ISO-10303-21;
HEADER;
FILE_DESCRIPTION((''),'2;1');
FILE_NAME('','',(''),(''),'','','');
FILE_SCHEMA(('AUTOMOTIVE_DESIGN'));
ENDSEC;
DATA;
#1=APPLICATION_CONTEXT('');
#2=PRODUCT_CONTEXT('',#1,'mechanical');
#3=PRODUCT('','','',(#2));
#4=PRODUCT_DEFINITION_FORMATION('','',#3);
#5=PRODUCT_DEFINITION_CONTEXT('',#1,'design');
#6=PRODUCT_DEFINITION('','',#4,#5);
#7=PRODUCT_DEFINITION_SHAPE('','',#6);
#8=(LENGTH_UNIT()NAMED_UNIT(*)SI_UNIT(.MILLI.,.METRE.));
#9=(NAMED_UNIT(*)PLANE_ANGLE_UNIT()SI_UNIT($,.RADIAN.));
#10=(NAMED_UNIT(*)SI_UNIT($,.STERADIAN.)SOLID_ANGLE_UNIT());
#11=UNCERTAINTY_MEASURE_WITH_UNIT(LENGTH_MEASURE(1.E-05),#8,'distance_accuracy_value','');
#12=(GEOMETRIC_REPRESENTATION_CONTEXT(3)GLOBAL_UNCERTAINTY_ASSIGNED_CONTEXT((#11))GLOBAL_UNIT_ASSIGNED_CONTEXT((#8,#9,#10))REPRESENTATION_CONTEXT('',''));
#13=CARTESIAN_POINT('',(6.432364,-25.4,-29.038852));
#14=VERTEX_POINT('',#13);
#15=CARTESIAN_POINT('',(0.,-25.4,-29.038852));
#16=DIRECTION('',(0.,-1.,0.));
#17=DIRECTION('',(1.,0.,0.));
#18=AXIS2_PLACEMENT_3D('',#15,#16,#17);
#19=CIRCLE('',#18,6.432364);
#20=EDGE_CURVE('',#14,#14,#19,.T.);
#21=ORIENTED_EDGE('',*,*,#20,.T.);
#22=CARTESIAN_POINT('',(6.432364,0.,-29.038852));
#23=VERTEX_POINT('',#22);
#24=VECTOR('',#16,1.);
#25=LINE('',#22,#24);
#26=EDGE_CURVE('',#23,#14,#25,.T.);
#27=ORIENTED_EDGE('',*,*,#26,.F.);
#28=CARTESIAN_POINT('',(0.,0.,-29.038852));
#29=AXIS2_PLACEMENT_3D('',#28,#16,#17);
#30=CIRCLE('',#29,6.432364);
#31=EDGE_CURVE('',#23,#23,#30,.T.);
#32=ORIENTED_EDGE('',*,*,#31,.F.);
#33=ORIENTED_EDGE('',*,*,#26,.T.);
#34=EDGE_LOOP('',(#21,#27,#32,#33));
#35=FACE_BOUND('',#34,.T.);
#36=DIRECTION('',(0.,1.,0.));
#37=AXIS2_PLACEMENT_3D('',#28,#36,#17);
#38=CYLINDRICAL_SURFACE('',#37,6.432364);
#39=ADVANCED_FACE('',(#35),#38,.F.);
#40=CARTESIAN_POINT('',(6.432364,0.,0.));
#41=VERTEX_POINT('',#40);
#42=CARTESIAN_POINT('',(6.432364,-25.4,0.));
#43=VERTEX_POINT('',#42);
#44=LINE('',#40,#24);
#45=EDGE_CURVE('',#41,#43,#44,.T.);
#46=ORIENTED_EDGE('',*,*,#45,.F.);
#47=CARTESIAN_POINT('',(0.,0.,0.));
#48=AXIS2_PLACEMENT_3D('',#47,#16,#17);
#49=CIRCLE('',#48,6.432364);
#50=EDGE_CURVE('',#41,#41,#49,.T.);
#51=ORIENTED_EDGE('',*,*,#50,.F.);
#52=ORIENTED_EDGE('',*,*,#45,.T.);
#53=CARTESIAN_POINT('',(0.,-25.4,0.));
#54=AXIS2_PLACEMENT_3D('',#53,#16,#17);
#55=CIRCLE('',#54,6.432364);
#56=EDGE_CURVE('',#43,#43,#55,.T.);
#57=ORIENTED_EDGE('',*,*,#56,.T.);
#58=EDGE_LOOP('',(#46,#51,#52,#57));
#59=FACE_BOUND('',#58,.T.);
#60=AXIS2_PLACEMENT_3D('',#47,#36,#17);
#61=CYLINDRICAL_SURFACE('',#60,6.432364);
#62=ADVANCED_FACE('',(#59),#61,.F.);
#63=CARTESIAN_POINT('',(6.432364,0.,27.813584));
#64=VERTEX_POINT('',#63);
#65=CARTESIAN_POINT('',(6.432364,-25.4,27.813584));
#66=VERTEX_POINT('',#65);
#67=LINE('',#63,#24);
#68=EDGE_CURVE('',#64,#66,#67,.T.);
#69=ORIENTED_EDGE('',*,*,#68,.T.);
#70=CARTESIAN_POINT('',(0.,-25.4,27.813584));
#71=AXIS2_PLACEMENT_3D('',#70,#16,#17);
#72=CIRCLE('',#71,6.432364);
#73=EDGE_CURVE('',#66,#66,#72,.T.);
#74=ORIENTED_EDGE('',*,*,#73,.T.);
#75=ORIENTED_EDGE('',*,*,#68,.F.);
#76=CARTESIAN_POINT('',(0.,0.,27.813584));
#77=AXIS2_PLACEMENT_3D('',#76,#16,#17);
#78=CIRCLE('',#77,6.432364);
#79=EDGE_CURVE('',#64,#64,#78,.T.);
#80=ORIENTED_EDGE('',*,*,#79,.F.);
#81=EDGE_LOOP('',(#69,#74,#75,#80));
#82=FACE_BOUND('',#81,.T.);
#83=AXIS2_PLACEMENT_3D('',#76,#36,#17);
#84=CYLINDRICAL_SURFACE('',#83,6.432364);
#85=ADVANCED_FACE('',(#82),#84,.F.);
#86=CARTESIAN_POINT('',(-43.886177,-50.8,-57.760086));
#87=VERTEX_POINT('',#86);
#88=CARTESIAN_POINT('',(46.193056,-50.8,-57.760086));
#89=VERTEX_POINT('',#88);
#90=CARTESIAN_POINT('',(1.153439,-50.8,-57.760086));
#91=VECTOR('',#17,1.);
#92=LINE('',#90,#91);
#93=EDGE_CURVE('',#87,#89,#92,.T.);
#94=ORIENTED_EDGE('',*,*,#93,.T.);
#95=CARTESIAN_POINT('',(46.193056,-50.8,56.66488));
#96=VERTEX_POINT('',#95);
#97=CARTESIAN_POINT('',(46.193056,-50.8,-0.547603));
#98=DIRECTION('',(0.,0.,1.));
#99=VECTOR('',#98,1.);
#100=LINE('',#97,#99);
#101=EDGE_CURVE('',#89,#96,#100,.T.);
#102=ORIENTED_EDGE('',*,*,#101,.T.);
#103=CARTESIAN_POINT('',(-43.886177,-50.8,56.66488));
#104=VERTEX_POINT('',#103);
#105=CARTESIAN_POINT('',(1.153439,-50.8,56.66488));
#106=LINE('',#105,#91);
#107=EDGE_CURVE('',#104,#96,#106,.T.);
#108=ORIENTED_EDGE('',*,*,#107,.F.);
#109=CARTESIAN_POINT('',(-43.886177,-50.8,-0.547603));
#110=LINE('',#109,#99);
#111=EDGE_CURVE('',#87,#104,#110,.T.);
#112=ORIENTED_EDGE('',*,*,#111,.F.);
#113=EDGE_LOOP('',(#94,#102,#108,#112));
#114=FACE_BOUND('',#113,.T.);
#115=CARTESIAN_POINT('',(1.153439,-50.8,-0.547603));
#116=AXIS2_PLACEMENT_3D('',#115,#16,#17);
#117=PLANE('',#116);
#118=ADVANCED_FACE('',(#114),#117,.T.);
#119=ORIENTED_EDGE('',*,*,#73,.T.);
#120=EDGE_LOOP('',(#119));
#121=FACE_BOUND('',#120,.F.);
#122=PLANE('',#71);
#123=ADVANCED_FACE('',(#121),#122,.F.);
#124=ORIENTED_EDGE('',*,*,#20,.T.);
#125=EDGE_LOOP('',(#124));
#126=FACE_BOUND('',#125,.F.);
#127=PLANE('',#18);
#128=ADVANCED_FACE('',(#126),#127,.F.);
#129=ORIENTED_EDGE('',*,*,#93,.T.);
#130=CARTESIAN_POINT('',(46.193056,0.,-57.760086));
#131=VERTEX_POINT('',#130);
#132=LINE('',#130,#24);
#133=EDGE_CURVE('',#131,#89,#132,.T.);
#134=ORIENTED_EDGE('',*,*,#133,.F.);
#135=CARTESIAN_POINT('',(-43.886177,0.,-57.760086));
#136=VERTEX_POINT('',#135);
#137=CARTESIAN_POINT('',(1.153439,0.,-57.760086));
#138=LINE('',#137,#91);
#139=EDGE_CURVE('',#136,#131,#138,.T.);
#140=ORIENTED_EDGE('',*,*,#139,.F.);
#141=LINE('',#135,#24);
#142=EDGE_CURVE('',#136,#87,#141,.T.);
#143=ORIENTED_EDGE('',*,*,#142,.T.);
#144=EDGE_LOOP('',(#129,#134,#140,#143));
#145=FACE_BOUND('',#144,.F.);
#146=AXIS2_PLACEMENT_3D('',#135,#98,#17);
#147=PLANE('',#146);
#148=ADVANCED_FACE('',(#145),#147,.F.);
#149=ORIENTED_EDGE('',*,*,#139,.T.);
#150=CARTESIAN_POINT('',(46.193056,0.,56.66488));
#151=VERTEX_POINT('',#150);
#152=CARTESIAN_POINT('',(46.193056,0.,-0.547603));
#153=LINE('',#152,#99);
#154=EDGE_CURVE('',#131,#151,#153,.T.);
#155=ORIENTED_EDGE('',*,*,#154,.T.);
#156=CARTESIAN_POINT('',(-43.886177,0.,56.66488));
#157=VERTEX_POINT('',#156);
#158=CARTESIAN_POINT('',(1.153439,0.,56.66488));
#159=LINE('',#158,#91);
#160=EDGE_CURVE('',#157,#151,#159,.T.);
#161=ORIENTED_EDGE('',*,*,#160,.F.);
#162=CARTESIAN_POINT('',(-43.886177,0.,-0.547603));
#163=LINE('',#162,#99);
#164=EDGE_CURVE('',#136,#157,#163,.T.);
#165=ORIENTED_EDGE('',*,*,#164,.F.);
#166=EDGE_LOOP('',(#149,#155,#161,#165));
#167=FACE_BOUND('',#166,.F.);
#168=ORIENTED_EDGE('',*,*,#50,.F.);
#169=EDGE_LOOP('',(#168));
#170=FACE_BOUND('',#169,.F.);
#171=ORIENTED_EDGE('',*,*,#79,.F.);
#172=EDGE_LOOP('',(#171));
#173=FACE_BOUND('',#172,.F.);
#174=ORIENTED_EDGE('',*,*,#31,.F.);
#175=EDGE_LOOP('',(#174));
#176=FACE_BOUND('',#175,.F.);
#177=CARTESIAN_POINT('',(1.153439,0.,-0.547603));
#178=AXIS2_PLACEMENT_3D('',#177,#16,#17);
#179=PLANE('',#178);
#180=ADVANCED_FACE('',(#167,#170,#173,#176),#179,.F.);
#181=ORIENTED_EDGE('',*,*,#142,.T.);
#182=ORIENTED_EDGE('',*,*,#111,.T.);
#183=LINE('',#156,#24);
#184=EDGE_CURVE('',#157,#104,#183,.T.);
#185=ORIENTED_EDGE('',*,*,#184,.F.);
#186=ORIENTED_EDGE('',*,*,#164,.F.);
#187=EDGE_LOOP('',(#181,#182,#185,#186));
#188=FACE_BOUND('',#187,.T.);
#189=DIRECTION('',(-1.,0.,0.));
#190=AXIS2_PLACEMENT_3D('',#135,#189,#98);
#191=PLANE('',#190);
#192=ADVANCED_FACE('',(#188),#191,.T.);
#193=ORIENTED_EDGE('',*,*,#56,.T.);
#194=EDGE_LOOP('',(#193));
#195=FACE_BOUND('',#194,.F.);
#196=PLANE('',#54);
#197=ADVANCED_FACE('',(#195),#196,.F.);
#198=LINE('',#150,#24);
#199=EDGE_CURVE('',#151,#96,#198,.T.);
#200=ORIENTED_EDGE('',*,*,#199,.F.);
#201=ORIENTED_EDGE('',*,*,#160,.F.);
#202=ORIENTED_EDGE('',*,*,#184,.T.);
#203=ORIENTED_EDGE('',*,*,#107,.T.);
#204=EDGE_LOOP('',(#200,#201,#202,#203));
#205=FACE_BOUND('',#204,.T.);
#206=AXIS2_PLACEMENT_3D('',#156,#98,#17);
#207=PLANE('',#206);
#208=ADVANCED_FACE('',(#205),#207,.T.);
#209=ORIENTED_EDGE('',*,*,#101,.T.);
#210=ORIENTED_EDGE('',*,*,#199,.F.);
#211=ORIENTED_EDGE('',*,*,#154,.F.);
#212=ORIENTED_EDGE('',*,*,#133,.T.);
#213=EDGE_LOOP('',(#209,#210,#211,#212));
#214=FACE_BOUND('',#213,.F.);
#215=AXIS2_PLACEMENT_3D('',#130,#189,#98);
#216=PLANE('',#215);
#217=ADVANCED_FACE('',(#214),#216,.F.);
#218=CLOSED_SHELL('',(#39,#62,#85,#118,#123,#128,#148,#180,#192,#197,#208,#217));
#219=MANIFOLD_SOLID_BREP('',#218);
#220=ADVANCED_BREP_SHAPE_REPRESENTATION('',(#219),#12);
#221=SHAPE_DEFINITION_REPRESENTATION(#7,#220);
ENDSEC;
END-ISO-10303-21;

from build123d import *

# Parameters (mm, degrees)
F0_W          = 90.0792330503
F0_H          = 114.4249662757
F1_DEPTH      = 50.8
F2_R          = 6.4323639035
F3_DEPTH      = 50.8
F3_DEPTH_BACK = 25.4


with BuildPart() as f1:
    # F0 (on Front) → F1 (new body)
    with BuildSketch(Plane.XZ):
        with Locations((1.1534392834, -0.5476027727)):
            Rectangle(F0_W, F0_H)
    extrude(amount=F1_DEPTH)

    # F2 (on Front) → F3 (cut, two sides)
    with BuildSketch(Plane.XZ) as f3_sk:
        with Locations((0, 27.8135836124)):
            Circle(F2_R)
        Circle(F2_R)
        with Locations((0, -29.0388520807)):
            Circle(F2_R)
    extrude(amount=-F3_DEPTH, mode=Mode.SUBTRACT)
    extrude(f3_sk.sketch, amount=F3_DEPTH_BACK, mode=Mode.SUBTRACT)


solid = f1.part
